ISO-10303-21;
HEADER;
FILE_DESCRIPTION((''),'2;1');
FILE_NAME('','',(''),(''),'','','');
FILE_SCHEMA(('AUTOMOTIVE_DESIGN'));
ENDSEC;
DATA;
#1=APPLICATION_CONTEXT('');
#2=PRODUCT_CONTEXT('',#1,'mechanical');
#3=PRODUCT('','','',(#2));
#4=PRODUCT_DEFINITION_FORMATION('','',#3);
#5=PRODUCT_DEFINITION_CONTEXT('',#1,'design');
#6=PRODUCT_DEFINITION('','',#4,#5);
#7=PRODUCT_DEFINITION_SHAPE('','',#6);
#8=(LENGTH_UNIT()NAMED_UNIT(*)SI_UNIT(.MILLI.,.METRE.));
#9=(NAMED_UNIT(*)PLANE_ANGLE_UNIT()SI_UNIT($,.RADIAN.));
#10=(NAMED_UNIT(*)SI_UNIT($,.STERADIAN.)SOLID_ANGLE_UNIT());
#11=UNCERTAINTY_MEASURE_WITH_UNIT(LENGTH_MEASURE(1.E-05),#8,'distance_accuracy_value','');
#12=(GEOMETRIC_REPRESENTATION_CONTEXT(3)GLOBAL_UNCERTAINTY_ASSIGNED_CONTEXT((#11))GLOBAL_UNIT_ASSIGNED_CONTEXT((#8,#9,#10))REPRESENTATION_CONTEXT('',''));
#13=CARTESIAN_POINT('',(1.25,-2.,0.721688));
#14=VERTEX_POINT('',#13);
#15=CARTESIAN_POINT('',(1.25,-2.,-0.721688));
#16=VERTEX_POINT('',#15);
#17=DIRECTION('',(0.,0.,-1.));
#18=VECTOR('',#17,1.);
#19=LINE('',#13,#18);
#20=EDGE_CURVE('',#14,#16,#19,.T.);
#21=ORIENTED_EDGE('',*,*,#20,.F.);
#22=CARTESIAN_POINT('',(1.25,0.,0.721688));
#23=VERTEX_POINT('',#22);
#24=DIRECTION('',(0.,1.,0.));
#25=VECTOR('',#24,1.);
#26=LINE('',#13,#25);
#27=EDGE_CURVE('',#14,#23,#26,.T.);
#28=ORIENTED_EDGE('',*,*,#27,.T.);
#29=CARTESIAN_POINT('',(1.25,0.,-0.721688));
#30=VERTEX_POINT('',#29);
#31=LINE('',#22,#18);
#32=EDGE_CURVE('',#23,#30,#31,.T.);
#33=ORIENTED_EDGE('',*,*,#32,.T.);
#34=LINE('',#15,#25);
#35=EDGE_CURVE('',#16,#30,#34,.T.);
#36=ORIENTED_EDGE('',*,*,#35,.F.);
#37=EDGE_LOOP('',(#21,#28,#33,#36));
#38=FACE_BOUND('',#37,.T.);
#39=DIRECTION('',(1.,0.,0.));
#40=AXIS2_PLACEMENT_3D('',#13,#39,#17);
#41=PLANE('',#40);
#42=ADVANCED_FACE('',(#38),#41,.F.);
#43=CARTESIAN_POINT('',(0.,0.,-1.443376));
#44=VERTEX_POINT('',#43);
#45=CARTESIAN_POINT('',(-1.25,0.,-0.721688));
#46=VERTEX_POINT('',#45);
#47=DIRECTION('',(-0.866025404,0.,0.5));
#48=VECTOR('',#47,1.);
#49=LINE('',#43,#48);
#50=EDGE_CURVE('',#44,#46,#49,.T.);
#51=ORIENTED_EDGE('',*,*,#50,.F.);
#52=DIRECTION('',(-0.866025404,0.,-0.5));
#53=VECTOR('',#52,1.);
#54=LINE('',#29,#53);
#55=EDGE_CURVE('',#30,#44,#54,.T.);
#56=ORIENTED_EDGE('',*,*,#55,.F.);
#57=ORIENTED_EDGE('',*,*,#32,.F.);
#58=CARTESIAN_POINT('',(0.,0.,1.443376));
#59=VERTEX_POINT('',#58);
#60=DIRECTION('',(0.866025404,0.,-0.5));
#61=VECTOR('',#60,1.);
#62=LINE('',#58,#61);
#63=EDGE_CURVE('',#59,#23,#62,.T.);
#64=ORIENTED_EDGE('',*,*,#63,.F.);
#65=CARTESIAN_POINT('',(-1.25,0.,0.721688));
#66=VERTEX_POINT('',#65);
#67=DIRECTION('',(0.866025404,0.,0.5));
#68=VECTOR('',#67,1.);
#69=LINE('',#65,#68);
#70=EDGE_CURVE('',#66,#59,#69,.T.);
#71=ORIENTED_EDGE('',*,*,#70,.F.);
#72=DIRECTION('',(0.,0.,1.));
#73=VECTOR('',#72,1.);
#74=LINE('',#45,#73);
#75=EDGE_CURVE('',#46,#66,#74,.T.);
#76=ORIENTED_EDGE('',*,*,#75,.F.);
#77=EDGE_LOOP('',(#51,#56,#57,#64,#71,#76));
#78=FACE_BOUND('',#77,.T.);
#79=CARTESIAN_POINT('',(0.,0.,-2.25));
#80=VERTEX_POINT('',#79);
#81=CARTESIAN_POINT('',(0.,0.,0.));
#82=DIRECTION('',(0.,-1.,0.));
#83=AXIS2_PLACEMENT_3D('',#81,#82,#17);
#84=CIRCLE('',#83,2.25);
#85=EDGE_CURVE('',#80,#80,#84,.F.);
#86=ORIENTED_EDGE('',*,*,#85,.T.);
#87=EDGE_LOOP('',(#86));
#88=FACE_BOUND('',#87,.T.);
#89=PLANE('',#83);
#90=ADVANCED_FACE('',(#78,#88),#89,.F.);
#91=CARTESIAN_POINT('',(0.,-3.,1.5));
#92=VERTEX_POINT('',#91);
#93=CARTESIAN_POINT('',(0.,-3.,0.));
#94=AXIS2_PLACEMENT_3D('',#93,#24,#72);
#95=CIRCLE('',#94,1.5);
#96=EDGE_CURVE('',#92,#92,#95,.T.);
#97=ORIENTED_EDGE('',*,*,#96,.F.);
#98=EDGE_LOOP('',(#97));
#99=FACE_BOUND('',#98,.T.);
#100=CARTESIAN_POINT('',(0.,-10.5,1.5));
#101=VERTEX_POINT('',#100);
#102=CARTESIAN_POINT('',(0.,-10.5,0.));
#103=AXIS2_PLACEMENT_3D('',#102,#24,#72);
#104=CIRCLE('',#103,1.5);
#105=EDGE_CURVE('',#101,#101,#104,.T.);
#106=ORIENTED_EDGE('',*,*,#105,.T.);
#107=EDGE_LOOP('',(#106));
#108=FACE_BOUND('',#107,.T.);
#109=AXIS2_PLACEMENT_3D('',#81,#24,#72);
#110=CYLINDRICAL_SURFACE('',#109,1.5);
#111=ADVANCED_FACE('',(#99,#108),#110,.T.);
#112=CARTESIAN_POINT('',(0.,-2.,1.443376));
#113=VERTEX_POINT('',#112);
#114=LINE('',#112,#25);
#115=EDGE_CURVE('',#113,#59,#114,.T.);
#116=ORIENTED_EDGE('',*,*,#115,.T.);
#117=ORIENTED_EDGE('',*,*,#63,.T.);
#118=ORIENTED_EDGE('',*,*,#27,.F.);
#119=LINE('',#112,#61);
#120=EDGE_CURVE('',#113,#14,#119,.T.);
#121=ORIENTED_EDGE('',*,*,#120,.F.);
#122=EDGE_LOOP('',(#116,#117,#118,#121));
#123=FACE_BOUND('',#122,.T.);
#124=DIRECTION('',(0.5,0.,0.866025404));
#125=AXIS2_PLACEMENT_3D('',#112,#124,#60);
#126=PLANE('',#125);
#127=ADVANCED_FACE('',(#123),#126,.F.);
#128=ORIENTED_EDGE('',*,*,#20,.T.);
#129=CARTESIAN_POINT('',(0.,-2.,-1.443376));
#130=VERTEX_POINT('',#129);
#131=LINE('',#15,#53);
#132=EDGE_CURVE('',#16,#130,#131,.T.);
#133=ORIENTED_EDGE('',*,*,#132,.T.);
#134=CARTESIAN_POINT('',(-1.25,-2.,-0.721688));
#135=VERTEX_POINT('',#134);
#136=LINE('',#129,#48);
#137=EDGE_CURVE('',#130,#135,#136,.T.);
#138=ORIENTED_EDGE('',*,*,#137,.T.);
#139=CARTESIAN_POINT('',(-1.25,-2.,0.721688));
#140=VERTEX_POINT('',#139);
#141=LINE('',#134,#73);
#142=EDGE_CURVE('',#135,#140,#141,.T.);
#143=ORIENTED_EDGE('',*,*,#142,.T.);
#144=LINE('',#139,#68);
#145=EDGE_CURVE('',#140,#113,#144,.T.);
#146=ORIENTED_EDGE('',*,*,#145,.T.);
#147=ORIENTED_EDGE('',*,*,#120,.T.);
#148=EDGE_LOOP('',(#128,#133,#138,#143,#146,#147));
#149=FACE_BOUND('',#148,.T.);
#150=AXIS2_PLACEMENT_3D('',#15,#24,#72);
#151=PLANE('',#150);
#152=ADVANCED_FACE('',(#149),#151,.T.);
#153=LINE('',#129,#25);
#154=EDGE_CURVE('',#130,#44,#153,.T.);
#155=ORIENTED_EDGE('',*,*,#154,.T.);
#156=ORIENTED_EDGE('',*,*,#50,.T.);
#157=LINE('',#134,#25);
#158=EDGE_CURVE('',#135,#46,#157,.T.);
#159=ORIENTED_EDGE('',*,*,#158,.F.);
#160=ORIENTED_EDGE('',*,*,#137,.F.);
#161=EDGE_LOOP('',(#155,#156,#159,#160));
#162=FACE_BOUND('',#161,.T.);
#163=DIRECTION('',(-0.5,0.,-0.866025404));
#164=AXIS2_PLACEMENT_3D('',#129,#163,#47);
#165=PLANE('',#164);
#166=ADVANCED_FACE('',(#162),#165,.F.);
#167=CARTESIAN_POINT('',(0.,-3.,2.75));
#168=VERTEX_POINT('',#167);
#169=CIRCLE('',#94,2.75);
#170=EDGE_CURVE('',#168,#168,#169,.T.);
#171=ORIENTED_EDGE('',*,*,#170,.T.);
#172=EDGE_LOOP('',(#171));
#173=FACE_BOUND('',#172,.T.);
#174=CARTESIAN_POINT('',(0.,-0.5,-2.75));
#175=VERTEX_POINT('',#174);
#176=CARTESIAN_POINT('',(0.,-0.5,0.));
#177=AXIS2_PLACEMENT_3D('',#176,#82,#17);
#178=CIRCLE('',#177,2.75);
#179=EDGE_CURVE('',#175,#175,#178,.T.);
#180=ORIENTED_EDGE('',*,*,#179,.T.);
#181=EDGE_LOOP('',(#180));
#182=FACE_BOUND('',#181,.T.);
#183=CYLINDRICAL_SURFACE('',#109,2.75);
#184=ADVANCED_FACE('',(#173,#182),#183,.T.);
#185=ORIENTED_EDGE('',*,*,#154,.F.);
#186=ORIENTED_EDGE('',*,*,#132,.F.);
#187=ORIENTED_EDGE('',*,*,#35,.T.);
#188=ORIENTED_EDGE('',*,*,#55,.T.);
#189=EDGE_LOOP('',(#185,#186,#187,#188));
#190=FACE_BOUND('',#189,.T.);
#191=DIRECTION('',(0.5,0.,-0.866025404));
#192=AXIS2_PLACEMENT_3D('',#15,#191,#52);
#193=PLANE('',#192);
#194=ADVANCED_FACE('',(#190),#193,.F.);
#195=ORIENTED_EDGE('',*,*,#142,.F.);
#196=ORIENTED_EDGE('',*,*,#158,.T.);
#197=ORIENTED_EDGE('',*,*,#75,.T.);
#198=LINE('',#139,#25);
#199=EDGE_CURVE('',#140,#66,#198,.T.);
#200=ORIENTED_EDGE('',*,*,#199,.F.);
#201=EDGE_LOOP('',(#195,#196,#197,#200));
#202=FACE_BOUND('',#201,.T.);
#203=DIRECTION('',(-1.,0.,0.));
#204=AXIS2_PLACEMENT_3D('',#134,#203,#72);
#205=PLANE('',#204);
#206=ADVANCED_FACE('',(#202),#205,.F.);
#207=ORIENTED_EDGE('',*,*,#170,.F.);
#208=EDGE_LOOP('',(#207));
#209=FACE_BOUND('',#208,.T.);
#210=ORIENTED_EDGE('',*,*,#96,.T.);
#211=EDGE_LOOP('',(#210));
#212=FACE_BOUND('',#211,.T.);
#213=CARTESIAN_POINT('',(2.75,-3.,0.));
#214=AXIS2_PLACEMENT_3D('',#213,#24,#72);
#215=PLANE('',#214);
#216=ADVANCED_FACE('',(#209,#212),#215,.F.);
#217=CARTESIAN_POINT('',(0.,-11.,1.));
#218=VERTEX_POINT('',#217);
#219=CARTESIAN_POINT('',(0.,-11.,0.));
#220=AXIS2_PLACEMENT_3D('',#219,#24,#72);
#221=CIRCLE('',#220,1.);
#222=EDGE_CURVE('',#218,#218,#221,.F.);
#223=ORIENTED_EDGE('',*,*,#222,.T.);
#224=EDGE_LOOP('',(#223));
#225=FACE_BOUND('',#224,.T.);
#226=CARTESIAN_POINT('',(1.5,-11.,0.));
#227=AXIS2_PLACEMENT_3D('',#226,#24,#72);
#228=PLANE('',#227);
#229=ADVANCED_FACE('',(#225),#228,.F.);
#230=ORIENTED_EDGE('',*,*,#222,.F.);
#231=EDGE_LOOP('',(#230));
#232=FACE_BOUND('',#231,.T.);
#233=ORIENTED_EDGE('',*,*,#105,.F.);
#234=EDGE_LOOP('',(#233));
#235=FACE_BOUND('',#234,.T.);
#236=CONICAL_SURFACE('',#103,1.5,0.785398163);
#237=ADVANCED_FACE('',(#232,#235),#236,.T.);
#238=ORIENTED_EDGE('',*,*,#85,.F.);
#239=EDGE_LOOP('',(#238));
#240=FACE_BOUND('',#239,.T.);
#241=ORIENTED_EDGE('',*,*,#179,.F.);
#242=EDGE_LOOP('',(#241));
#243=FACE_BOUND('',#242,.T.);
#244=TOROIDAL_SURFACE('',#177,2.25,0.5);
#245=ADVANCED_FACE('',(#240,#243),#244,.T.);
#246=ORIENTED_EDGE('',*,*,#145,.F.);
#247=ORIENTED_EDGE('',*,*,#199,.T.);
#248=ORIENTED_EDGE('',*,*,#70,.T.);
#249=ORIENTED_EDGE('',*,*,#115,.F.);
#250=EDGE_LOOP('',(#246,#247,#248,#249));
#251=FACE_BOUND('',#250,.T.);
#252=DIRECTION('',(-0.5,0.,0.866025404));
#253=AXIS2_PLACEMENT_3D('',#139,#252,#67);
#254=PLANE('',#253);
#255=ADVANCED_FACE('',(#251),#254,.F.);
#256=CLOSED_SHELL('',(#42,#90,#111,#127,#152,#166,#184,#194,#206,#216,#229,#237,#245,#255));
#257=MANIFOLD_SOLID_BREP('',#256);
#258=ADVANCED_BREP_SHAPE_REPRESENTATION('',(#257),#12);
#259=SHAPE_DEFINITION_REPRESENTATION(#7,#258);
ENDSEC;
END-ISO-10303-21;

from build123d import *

# Parameters (mm, degrees)
CORTAR_EXTRUIR1_DEPTH = 2
CHAFL_N1_SIZE         = 0.5
REDONDEO1_R           = 0.5


with BuildPart() as part:
    # Croquis1 → Revolución1 (revolve)
    with BuildSketch(Plane.XY):
        Polygon((0, 0), (2.75, 0), (2.75, -3), (1.5, -3), (1.5, -11), (0, -11), align=None)
    revolve(axis=Axis((0, 0, 0), (0, -1, 0)))

    # Croquis2 → Cortar-Extruir1 (cut)
    with BuildSketch(Plane(origin=(0, 0, 0), x_dir=(1, 0, 0), z_dir=(0, 1, 0))):
        Polygon((1.25, 0.721687836), (0, 1.443375673), (-1.25, 0.721687836), (-1.25, -0.721687836), (0, -1.443375673), (1.25, -0.721687836), align=None)
    extrude(amount=-CORTAR_EXTRUIR1_DEPTH, mode=Mode.SUBTRACT)

    # Chaflán1
    chafl_n1_edges = [part.edges().sort_by_distance(p)[0] for p in [
        (-1.5, -11, 0),
    ]]
    chamfer(chafl_n1_edges, length=CHAFL_N1_SIZE)

    # Redondeo1
    redondeo1_edges = [part.edges().sort_by_distance(p)[0] for p in [
        (-2.75, 0, 0),
    ]]
    fillet(redondeo1_edges, radius=REDONDEO1_R)


solid = part.part
